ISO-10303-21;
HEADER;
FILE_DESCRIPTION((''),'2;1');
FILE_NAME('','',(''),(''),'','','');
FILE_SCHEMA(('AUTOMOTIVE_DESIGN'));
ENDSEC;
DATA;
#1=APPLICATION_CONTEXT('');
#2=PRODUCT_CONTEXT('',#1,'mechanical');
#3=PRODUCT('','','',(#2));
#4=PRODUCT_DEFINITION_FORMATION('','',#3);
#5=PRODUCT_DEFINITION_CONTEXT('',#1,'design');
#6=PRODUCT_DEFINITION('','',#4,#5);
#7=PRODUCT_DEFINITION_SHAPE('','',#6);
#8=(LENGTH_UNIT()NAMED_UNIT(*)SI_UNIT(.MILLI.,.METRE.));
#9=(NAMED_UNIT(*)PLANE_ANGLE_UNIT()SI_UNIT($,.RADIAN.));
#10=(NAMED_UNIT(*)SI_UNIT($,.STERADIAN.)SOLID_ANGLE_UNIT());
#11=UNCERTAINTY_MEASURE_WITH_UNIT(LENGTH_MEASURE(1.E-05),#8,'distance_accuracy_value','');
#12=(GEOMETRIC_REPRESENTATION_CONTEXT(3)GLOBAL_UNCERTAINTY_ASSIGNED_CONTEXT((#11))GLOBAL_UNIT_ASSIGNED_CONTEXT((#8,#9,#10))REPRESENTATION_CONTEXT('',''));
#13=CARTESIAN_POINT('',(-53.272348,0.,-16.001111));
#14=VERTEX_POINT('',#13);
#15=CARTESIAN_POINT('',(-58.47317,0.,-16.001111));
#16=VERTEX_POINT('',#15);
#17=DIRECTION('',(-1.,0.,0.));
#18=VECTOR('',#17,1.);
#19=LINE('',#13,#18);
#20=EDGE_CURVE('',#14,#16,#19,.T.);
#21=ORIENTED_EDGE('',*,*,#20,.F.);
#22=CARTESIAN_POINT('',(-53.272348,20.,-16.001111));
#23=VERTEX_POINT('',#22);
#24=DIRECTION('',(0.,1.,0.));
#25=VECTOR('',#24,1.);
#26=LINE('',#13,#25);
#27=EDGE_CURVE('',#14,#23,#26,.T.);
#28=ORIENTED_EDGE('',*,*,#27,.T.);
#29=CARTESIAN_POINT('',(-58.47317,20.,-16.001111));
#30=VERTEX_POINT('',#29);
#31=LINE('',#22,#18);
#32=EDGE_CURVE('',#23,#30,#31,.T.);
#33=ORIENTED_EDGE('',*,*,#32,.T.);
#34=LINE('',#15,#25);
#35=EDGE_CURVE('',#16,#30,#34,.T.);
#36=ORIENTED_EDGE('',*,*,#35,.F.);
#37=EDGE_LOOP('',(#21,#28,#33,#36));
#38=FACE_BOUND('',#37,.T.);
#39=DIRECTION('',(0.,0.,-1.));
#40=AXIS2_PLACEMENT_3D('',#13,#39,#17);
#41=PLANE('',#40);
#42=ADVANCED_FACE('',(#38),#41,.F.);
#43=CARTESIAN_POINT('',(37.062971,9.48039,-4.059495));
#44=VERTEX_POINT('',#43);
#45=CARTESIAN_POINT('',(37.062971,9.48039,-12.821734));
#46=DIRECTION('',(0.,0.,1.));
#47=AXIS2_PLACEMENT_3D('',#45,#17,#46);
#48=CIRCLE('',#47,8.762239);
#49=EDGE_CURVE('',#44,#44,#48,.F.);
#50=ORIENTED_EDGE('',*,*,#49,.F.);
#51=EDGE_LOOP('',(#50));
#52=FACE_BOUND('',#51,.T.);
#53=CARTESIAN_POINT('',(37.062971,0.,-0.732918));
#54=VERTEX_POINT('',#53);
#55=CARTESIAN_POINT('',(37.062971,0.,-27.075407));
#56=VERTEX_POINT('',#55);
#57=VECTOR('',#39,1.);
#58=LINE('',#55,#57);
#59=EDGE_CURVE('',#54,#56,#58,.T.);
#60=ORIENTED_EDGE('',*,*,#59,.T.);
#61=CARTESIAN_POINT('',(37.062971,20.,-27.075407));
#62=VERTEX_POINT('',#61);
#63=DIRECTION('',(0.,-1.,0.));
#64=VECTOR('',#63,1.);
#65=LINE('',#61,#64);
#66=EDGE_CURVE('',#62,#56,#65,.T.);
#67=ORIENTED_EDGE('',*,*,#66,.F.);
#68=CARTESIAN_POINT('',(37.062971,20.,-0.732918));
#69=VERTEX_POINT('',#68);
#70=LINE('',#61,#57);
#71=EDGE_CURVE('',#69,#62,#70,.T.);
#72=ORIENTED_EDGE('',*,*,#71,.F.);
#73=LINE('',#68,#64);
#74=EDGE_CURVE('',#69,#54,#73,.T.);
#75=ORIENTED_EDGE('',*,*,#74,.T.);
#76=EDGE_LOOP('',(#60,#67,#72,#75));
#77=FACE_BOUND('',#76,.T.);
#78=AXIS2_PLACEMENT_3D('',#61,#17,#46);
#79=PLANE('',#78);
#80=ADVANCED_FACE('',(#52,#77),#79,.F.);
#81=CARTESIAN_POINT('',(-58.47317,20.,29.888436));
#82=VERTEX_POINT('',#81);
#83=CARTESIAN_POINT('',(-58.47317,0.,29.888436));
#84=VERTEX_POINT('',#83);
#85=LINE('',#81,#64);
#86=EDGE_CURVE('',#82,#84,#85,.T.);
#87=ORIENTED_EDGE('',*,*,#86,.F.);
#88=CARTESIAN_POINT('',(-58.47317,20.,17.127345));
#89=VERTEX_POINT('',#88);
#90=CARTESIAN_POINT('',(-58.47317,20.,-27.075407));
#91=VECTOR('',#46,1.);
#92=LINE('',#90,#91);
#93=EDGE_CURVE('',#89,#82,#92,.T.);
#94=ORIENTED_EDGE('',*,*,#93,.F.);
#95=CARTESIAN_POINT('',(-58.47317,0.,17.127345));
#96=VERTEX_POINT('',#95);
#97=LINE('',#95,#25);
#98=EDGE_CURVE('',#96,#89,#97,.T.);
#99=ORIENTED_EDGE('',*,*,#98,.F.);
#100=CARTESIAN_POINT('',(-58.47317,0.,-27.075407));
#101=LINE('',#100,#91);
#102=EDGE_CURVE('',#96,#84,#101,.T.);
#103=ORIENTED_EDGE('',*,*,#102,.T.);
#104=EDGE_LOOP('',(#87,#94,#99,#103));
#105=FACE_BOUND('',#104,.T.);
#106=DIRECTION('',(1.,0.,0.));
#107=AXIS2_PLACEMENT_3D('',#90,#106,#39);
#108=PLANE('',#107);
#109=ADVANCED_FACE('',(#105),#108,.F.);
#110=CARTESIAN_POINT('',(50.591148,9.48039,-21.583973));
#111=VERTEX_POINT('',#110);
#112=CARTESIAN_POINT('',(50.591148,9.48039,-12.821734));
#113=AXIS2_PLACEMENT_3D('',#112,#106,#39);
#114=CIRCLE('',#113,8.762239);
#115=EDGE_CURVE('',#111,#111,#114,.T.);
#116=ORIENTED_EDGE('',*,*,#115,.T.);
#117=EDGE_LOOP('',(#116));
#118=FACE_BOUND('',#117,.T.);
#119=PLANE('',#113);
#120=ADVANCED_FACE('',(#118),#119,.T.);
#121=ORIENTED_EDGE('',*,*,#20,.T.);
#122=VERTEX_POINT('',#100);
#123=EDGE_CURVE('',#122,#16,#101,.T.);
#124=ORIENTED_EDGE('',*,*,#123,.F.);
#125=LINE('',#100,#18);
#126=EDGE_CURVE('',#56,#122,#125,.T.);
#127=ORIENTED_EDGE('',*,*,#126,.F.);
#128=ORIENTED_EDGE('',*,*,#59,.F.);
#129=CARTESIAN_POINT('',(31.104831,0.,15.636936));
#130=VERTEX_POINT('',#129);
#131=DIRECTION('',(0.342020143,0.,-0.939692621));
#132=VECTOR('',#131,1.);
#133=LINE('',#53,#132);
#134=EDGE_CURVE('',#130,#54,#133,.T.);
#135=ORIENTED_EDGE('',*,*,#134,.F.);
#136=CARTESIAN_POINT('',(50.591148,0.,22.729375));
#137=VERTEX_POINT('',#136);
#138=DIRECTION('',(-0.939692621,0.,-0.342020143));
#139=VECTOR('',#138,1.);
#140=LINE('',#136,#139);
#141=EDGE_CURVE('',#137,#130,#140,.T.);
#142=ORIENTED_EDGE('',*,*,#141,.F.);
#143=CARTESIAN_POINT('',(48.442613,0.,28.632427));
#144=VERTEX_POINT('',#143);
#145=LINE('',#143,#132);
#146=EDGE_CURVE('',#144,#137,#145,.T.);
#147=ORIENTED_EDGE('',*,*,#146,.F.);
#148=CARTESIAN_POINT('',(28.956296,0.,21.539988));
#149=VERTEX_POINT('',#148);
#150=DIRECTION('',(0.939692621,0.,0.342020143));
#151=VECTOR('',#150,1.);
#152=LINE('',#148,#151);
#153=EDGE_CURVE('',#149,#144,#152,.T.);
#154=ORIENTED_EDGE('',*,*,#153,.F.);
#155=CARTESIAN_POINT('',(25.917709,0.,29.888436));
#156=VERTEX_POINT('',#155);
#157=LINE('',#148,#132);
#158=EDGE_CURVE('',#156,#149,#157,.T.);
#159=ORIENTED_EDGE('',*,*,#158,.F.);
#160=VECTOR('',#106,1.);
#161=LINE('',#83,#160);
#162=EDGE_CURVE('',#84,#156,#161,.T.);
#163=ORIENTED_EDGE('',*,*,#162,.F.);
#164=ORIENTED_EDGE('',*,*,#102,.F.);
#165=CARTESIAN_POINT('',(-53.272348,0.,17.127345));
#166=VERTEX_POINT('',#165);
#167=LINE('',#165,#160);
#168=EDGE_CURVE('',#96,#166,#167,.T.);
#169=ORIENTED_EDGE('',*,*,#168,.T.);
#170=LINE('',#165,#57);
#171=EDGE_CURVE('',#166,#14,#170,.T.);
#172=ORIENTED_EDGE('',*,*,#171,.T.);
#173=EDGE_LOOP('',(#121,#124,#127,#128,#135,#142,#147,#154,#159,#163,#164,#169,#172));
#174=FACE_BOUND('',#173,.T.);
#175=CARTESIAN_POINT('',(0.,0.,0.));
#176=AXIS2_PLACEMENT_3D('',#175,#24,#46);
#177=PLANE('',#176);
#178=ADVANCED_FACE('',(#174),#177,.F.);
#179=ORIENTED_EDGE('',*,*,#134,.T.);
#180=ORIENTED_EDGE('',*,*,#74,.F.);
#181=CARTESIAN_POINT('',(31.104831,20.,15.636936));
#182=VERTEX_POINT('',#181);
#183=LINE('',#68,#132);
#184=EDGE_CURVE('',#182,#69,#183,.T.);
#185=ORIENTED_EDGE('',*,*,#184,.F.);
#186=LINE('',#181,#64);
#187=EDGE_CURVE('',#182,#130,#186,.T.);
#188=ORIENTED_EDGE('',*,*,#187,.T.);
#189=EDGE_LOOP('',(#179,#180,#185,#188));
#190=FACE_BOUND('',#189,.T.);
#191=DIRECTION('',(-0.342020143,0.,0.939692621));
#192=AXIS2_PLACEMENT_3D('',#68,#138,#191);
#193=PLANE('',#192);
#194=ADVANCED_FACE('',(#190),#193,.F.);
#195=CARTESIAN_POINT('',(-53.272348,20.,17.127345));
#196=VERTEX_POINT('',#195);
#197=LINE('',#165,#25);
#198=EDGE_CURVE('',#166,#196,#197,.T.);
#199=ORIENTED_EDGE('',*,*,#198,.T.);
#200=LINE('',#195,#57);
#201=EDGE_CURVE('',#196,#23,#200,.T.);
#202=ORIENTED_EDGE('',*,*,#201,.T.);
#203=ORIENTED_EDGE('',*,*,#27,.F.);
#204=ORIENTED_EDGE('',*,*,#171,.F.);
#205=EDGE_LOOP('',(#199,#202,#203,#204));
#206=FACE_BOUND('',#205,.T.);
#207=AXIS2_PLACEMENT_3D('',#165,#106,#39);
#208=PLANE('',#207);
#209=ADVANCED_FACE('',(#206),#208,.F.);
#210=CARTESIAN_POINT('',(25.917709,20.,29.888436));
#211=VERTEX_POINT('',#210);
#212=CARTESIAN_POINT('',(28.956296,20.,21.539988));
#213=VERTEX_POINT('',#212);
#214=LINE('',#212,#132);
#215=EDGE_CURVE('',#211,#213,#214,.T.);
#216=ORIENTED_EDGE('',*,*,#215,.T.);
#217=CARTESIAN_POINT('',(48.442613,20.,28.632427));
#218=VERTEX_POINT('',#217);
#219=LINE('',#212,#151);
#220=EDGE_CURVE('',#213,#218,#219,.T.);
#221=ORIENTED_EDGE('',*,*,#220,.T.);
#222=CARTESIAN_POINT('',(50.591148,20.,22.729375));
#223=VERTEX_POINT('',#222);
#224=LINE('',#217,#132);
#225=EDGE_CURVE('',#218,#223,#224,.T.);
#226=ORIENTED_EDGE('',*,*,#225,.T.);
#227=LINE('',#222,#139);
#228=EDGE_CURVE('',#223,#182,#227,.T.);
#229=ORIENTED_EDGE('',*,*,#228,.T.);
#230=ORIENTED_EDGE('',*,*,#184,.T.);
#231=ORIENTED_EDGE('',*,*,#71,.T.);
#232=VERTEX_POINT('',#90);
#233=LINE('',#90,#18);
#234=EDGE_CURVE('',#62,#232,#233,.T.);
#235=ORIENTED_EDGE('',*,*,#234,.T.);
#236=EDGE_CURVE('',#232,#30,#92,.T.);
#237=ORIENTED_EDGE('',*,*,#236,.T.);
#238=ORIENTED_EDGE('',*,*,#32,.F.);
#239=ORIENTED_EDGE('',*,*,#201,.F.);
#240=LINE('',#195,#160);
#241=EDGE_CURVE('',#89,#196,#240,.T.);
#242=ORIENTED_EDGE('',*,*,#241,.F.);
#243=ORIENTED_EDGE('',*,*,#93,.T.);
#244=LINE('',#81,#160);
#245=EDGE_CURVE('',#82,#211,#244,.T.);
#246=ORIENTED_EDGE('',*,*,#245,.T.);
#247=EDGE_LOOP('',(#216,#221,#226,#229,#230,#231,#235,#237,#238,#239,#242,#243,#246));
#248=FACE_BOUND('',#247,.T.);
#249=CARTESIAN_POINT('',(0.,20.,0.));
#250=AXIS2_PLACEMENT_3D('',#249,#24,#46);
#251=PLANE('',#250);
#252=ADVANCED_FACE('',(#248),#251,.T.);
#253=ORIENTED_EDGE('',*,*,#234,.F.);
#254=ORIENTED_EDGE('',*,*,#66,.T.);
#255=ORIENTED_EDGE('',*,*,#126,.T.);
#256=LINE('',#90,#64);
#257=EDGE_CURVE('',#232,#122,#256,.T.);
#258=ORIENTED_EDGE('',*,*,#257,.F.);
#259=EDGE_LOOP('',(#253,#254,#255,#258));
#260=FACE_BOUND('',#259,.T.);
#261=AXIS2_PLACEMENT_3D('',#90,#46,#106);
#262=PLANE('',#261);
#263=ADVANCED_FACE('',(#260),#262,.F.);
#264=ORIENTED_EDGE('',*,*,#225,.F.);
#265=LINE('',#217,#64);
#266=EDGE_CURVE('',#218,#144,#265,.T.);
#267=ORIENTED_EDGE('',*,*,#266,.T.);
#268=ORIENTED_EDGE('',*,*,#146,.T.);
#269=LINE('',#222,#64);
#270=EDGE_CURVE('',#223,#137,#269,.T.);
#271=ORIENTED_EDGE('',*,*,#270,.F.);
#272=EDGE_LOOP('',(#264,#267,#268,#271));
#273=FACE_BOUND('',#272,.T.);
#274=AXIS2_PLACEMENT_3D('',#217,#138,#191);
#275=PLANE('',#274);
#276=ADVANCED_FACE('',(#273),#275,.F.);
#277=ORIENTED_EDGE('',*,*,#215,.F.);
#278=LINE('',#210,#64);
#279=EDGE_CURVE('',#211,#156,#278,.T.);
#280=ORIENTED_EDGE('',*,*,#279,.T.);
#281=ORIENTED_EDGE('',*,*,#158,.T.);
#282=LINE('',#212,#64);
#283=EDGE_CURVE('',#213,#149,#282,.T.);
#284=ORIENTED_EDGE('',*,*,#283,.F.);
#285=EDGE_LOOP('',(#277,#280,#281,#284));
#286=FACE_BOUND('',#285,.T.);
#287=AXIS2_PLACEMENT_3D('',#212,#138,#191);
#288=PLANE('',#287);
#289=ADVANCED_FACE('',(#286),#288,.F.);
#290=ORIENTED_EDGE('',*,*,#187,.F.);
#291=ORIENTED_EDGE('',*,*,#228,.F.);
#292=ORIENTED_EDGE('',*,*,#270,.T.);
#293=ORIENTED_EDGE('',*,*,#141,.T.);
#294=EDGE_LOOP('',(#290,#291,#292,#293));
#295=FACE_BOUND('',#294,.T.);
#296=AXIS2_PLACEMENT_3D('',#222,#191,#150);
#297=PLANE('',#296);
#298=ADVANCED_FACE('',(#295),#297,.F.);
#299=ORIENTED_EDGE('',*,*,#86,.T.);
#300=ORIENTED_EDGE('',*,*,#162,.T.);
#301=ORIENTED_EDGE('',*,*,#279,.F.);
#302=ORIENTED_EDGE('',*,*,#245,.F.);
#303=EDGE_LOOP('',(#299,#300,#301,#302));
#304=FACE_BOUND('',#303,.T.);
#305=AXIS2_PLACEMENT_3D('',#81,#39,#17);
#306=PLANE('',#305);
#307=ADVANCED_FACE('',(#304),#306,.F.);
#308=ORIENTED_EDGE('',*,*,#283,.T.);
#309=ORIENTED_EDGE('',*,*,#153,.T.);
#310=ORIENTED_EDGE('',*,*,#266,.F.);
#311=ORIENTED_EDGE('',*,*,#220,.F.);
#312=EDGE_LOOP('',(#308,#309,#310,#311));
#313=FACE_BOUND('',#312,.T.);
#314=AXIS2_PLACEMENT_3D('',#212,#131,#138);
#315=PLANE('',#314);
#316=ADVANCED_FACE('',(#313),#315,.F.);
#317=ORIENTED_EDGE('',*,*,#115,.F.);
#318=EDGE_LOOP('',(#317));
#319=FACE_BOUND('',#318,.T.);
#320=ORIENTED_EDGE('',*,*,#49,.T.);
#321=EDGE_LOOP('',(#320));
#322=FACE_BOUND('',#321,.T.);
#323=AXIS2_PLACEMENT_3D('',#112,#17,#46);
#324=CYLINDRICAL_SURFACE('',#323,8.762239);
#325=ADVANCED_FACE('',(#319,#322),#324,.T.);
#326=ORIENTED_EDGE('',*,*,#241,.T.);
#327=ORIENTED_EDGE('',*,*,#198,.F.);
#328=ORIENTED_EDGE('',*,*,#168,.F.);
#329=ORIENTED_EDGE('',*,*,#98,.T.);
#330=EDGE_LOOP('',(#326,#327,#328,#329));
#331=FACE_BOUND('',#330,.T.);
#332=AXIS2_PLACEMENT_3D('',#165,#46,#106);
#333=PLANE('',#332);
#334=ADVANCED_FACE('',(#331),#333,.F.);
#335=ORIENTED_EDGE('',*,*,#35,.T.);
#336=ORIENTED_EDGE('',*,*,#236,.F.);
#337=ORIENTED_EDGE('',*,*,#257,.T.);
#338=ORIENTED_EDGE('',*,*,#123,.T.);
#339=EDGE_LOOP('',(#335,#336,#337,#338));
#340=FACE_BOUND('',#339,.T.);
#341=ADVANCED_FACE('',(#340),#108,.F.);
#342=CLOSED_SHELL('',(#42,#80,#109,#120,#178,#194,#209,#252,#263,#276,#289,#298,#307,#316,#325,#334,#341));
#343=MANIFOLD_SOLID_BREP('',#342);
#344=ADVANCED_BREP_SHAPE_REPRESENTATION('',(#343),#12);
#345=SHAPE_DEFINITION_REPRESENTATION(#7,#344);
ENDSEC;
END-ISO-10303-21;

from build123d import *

# Parameters (mm, degrees)
BOSS_EXTRUDE1_DEPTH = 20
SKETCH2_R           = 8.762238692
BOSS_EXTRUDE2_DEPTH = 13.528179
SKETCH3_W           = 5.200821941
SKETCH3_H           = 33.128455843
CUT_EXTRUDE1_DEPTH  = 69.647143148


with BuildPart() as part:
    # Sketch1 → Boss-Extrude1 (new body)
    with BuildSketch(Plane(origin=(0, 0, 0), x_dir=(1, 0, 0), z_dir=(0, 1, 0))):
        Polygon((37.062970991, 27.075407166), (37.062970991, 0.732918261), (31.104831338, -15.636935896), (50.591147993, -22.729375134), (48.442612656, -28.632427455), (28.956296002, -21.539988217), (25.917709331, -29.888436482), (-58.473170148, -29.888436482), (-58.473170148, 27.075407166), align=None)
    extrude(amount=BOSS_EXTRUDE1_DEPTH)

    # Sketch2 → Boss-Extrude2 (add)
    with BuildSketch(Plane(origin=(37.062970991, 0, 0), x_dir=(0, 0, -1), z_dir=(1, 0, 0))):
        with Locations(Location((12.821734178, 9.480390425, 0), (0, 0, 180))):
            Circle(SKETCH2_R)
    extrude(amount=BOSS_EXTRUDE2_DEPTH)

    # Sketch3 → Cut-Extrude1 (cut, through all)
    with BuildSketch(Plane(origin=(0, 20, 0), x_dir=(1, 0, 0), z_dir=(0, 1, 0))):
        with Locations((-55.872759178, -0.563117172)):
            Rectangle(SKETCH3_W, SKETCH3_H)
    extrude(amount=-CUT_EXTRUDE1_DEPTH, mode=Mode.SUBTRACT)


solid = part.part
